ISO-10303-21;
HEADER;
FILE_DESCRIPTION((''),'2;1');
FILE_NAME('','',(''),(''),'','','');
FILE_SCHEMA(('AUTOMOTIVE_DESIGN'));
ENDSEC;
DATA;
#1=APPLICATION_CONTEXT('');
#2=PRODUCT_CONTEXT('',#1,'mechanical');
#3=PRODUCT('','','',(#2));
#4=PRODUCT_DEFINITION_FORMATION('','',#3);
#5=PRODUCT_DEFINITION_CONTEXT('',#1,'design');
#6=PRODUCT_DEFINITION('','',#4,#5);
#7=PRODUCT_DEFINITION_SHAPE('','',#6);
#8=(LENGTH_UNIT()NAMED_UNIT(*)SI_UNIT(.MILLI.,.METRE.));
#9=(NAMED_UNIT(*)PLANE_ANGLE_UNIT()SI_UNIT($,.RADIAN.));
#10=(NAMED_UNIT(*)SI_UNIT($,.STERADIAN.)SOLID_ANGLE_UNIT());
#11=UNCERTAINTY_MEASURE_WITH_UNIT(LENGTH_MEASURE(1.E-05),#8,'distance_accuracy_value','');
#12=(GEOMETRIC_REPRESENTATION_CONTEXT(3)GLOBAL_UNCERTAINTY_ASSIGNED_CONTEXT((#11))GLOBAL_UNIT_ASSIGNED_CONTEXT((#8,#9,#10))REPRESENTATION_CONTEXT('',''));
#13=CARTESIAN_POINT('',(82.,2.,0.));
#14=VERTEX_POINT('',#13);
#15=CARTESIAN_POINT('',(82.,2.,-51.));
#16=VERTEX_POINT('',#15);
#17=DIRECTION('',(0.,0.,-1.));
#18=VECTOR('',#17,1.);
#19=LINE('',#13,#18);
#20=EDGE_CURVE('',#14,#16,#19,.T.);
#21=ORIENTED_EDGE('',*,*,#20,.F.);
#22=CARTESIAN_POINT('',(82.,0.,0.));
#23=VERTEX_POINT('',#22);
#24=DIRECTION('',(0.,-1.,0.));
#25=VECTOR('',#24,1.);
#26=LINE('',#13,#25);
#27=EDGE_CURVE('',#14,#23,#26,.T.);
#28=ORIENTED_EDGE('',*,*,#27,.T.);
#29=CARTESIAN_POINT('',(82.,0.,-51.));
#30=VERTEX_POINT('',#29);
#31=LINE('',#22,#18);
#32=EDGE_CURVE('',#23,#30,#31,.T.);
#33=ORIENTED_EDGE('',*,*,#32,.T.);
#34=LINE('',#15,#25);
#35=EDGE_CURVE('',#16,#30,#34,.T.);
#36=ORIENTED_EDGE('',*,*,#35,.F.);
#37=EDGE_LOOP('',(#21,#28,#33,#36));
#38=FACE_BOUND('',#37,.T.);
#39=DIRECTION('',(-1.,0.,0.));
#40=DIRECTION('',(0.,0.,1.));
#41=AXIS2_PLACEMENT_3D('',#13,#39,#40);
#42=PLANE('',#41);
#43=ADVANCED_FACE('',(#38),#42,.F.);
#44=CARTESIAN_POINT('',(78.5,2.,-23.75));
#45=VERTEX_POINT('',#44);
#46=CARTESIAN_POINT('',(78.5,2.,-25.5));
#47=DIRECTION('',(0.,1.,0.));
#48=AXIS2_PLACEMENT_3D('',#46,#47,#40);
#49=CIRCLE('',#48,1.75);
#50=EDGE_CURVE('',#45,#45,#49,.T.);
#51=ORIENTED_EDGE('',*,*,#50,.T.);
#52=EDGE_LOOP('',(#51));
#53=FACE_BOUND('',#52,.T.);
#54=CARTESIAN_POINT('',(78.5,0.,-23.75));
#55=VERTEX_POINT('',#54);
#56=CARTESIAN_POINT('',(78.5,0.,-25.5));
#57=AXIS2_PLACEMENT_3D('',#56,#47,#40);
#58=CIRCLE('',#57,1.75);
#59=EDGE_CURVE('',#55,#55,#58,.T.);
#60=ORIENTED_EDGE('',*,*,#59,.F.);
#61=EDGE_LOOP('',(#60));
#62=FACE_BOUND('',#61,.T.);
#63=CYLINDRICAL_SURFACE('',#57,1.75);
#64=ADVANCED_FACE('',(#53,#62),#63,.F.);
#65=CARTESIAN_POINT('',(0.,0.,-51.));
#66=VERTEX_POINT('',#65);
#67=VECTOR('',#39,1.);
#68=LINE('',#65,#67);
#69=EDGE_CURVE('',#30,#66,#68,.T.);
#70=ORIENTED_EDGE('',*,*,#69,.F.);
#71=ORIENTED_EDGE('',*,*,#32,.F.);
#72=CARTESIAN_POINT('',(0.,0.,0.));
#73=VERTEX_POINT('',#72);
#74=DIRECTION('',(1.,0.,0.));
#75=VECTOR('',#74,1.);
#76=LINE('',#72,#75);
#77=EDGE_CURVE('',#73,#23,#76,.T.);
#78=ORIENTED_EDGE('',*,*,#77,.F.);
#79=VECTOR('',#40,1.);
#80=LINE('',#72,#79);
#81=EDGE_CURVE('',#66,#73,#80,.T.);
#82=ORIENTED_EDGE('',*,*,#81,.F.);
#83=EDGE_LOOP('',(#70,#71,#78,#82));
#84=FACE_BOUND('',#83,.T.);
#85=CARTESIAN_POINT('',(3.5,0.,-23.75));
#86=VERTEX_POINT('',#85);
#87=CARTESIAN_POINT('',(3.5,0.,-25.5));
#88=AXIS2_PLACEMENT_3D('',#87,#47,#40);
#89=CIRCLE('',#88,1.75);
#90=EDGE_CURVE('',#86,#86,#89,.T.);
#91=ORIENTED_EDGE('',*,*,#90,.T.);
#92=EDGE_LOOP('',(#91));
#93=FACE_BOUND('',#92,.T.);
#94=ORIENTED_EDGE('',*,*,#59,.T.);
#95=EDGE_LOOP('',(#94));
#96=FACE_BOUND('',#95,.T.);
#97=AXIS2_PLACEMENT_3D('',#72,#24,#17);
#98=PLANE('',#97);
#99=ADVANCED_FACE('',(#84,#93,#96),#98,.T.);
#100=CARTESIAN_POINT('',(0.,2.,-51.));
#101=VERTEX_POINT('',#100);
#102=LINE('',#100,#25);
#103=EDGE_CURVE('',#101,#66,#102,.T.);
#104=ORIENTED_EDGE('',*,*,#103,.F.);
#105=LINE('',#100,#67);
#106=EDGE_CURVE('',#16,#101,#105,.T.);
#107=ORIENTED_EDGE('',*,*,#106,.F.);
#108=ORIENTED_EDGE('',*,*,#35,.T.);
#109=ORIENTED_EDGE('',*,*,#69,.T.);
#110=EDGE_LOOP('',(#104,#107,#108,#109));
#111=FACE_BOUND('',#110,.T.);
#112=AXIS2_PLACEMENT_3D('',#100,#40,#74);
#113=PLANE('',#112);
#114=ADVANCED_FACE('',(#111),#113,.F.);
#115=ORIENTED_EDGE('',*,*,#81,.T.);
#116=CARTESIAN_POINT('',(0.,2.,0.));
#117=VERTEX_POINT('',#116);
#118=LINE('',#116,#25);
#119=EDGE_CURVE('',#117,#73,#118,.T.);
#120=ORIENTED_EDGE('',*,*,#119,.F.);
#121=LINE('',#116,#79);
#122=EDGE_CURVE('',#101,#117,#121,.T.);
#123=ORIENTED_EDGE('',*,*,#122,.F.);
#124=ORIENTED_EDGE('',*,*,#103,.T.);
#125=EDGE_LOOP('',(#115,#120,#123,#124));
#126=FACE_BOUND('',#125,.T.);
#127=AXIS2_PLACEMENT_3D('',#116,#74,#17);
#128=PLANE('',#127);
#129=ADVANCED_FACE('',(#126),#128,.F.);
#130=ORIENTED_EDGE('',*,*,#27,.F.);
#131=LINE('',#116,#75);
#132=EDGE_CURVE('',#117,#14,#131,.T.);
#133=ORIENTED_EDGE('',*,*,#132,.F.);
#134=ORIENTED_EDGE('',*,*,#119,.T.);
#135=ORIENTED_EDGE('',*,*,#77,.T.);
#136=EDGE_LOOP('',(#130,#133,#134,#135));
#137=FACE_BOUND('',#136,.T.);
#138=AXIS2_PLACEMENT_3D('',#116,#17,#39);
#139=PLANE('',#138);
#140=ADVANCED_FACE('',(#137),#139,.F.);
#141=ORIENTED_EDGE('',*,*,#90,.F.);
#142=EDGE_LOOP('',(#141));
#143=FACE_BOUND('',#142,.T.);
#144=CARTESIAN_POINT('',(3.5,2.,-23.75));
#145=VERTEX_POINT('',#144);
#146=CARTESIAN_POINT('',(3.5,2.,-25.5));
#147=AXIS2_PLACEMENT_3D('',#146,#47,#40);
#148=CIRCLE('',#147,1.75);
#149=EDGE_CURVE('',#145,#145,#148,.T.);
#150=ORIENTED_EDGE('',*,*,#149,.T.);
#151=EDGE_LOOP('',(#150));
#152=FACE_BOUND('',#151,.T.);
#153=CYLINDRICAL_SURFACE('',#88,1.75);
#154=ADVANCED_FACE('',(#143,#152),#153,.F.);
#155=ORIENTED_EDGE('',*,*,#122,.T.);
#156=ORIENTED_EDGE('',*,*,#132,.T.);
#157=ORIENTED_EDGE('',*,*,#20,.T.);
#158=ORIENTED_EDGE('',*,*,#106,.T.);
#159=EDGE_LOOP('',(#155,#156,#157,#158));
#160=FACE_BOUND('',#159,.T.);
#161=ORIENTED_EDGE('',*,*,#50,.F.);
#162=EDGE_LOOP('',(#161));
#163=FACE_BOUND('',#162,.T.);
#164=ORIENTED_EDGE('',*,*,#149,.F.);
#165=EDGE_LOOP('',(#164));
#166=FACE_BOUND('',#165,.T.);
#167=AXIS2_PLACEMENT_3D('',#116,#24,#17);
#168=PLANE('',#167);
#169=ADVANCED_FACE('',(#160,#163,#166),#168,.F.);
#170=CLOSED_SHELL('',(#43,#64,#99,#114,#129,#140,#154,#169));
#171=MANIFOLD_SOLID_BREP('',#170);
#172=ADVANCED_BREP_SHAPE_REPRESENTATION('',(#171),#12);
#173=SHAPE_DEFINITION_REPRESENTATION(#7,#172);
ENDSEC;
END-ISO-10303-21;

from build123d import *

# Parameters (mm, degrees)
SKETCH1_W           = 82
SKETCH1_H           = 51
BOSS_EXTRUDE1_DEPTH = 2
SKETCH2_R           = 1.75
CUT_EXTRUDE1_DEPTH  = 2


with BuildPart() as part:
    # Sketch1 → Boss-Extrude1 (new body)
    with BuildSketch(Plane(origin=(0, 0, 0), x_dir=(1, 0, 0), z_dir=(0, 1, 0))):
        with Locations((41, 25.5)):
            Rectangle(SKETCH1_W, SKETCH1_H)
    extrude(amount=BOSS_EXTRUDE1_DEPTH)

    # Sketch2 → Cut-Extrude1 (cut)
    with BuildSketch(Plane(origin=(0, 2, 0), x_dir=(1, 0, 0), z_dir=(0, 1, 0))):
        with Locations((3.5, 25.5)):
            Circle(SKETCH2_R)
        with Locations((78.5, 25.5)):
            Circle(SKETCH2_R)
    extrude(amount=-CUT_EXTRUDE1_DEPTH, mode=Mode.SUBTRACT)


solid = part.part
